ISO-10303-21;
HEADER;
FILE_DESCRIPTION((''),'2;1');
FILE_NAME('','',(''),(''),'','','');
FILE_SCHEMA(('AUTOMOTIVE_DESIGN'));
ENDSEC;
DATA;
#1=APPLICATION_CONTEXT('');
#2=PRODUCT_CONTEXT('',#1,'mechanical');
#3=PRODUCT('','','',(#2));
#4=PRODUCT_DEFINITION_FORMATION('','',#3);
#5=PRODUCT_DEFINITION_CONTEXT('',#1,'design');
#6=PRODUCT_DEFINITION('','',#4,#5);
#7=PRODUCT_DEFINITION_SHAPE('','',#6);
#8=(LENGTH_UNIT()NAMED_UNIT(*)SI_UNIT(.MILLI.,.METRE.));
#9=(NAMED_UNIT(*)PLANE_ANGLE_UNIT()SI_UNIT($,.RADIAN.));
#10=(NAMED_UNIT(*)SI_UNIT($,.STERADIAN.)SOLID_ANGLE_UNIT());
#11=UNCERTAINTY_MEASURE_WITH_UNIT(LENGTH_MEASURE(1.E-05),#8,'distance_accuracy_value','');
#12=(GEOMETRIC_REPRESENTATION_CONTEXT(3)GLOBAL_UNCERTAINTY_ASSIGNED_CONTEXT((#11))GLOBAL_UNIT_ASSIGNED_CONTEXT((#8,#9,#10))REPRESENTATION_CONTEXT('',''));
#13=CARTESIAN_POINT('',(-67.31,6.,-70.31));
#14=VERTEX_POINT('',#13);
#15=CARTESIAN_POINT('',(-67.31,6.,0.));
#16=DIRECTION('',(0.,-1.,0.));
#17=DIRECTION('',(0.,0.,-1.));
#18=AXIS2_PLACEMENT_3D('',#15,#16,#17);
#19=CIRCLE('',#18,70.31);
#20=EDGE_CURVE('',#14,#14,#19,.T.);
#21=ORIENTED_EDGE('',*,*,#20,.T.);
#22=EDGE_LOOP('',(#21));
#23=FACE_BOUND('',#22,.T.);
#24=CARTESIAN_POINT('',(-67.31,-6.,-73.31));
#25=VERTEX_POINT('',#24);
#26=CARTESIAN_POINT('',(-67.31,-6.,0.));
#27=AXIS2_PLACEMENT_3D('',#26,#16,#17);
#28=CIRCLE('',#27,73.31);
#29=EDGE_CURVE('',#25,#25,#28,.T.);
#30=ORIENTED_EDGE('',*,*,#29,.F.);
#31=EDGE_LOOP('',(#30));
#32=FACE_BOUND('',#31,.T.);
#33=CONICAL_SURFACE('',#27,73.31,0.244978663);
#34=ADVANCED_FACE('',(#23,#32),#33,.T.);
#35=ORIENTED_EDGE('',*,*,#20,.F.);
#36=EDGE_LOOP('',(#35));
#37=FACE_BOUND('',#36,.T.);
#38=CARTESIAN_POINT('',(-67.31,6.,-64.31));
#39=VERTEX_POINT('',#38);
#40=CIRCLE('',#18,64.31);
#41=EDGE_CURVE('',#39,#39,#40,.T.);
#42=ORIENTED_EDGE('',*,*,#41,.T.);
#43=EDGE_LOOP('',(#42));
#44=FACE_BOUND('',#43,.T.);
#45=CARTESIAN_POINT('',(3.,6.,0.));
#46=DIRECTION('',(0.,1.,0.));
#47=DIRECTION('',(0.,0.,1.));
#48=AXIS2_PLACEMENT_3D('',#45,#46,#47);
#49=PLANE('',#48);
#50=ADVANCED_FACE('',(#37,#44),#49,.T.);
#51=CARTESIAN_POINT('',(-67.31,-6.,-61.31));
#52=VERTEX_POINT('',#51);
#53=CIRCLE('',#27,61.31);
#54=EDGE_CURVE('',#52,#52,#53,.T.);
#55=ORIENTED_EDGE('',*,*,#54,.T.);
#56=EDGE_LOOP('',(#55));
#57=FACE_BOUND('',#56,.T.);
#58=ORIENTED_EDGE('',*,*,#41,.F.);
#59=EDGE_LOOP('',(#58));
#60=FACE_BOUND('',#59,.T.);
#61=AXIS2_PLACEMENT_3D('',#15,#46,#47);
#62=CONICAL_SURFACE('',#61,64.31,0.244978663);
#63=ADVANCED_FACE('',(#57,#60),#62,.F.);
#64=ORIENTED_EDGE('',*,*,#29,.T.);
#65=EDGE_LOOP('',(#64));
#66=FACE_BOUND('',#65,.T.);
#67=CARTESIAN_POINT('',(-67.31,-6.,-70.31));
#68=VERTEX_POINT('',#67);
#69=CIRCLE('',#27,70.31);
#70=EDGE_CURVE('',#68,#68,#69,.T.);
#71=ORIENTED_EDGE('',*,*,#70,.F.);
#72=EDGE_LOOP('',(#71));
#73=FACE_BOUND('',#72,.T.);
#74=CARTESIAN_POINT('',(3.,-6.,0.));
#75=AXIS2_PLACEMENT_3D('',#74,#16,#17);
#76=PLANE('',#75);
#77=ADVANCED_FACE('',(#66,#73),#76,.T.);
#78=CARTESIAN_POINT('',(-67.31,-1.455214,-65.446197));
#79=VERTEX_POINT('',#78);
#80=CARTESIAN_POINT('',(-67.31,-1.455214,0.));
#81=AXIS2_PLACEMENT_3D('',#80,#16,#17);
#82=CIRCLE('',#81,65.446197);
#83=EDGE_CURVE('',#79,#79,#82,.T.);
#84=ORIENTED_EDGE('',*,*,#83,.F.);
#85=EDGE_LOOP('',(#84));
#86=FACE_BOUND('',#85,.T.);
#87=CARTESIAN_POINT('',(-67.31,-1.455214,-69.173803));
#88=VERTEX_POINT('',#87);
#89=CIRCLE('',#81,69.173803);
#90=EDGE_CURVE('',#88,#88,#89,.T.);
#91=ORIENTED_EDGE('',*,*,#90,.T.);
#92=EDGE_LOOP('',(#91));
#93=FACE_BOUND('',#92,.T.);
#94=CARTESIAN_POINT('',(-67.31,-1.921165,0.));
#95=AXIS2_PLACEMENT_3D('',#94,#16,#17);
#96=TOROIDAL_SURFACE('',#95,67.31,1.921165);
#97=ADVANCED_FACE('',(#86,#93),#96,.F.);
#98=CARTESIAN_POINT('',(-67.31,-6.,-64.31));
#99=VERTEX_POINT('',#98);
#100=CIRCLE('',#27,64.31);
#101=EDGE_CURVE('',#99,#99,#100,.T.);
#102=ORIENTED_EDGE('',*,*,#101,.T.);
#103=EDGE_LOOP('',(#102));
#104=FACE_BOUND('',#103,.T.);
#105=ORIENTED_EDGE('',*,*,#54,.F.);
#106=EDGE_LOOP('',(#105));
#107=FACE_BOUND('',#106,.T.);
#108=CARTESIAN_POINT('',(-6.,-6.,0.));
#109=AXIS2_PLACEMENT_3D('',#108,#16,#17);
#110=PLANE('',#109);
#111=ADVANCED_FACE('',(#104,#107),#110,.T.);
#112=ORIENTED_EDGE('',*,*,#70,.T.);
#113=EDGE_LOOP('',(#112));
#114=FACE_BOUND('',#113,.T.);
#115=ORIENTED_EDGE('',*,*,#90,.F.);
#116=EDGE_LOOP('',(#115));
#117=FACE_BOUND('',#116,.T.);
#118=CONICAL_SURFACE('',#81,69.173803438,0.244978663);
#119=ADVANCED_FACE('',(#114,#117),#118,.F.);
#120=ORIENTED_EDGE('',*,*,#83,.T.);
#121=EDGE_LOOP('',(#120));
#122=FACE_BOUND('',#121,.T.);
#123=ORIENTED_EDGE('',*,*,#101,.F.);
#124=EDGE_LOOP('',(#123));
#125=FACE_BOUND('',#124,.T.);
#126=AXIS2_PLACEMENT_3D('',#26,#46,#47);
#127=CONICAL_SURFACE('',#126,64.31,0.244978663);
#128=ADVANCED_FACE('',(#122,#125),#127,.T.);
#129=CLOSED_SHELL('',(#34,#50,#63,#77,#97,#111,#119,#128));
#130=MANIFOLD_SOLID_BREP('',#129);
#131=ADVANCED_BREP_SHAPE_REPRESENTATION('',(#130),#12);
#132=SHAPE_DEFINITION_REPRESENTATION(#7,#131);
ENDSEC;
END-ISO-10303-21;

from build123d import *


with BuildPart() as part:
    # Sketch1 → Revolve1 (revolve)
    with BuildSketch(Plane.XY):
        with BuildLine():
            Line((3, 6), (-3, 6))
            Line((-3, 6), (-6, -6))
            Line((-6, -6), (-3, -6))
            Line((-3, -6), (-1.863803438, -1.45521375))
            ThreePointArc((-1.863803438, -1.45521375), (0, 0), (1.863803438, -1.45521375))
            Line((1.863803438, -1.45521375), (3, -6))
            Line((3, -6), (6, -6))
            Line((6, -6), (3, 6))
        make_face()
    revolve(axis=Axis((-67.31, 0, 0), (0, 1, 0)))


solid = part.part
